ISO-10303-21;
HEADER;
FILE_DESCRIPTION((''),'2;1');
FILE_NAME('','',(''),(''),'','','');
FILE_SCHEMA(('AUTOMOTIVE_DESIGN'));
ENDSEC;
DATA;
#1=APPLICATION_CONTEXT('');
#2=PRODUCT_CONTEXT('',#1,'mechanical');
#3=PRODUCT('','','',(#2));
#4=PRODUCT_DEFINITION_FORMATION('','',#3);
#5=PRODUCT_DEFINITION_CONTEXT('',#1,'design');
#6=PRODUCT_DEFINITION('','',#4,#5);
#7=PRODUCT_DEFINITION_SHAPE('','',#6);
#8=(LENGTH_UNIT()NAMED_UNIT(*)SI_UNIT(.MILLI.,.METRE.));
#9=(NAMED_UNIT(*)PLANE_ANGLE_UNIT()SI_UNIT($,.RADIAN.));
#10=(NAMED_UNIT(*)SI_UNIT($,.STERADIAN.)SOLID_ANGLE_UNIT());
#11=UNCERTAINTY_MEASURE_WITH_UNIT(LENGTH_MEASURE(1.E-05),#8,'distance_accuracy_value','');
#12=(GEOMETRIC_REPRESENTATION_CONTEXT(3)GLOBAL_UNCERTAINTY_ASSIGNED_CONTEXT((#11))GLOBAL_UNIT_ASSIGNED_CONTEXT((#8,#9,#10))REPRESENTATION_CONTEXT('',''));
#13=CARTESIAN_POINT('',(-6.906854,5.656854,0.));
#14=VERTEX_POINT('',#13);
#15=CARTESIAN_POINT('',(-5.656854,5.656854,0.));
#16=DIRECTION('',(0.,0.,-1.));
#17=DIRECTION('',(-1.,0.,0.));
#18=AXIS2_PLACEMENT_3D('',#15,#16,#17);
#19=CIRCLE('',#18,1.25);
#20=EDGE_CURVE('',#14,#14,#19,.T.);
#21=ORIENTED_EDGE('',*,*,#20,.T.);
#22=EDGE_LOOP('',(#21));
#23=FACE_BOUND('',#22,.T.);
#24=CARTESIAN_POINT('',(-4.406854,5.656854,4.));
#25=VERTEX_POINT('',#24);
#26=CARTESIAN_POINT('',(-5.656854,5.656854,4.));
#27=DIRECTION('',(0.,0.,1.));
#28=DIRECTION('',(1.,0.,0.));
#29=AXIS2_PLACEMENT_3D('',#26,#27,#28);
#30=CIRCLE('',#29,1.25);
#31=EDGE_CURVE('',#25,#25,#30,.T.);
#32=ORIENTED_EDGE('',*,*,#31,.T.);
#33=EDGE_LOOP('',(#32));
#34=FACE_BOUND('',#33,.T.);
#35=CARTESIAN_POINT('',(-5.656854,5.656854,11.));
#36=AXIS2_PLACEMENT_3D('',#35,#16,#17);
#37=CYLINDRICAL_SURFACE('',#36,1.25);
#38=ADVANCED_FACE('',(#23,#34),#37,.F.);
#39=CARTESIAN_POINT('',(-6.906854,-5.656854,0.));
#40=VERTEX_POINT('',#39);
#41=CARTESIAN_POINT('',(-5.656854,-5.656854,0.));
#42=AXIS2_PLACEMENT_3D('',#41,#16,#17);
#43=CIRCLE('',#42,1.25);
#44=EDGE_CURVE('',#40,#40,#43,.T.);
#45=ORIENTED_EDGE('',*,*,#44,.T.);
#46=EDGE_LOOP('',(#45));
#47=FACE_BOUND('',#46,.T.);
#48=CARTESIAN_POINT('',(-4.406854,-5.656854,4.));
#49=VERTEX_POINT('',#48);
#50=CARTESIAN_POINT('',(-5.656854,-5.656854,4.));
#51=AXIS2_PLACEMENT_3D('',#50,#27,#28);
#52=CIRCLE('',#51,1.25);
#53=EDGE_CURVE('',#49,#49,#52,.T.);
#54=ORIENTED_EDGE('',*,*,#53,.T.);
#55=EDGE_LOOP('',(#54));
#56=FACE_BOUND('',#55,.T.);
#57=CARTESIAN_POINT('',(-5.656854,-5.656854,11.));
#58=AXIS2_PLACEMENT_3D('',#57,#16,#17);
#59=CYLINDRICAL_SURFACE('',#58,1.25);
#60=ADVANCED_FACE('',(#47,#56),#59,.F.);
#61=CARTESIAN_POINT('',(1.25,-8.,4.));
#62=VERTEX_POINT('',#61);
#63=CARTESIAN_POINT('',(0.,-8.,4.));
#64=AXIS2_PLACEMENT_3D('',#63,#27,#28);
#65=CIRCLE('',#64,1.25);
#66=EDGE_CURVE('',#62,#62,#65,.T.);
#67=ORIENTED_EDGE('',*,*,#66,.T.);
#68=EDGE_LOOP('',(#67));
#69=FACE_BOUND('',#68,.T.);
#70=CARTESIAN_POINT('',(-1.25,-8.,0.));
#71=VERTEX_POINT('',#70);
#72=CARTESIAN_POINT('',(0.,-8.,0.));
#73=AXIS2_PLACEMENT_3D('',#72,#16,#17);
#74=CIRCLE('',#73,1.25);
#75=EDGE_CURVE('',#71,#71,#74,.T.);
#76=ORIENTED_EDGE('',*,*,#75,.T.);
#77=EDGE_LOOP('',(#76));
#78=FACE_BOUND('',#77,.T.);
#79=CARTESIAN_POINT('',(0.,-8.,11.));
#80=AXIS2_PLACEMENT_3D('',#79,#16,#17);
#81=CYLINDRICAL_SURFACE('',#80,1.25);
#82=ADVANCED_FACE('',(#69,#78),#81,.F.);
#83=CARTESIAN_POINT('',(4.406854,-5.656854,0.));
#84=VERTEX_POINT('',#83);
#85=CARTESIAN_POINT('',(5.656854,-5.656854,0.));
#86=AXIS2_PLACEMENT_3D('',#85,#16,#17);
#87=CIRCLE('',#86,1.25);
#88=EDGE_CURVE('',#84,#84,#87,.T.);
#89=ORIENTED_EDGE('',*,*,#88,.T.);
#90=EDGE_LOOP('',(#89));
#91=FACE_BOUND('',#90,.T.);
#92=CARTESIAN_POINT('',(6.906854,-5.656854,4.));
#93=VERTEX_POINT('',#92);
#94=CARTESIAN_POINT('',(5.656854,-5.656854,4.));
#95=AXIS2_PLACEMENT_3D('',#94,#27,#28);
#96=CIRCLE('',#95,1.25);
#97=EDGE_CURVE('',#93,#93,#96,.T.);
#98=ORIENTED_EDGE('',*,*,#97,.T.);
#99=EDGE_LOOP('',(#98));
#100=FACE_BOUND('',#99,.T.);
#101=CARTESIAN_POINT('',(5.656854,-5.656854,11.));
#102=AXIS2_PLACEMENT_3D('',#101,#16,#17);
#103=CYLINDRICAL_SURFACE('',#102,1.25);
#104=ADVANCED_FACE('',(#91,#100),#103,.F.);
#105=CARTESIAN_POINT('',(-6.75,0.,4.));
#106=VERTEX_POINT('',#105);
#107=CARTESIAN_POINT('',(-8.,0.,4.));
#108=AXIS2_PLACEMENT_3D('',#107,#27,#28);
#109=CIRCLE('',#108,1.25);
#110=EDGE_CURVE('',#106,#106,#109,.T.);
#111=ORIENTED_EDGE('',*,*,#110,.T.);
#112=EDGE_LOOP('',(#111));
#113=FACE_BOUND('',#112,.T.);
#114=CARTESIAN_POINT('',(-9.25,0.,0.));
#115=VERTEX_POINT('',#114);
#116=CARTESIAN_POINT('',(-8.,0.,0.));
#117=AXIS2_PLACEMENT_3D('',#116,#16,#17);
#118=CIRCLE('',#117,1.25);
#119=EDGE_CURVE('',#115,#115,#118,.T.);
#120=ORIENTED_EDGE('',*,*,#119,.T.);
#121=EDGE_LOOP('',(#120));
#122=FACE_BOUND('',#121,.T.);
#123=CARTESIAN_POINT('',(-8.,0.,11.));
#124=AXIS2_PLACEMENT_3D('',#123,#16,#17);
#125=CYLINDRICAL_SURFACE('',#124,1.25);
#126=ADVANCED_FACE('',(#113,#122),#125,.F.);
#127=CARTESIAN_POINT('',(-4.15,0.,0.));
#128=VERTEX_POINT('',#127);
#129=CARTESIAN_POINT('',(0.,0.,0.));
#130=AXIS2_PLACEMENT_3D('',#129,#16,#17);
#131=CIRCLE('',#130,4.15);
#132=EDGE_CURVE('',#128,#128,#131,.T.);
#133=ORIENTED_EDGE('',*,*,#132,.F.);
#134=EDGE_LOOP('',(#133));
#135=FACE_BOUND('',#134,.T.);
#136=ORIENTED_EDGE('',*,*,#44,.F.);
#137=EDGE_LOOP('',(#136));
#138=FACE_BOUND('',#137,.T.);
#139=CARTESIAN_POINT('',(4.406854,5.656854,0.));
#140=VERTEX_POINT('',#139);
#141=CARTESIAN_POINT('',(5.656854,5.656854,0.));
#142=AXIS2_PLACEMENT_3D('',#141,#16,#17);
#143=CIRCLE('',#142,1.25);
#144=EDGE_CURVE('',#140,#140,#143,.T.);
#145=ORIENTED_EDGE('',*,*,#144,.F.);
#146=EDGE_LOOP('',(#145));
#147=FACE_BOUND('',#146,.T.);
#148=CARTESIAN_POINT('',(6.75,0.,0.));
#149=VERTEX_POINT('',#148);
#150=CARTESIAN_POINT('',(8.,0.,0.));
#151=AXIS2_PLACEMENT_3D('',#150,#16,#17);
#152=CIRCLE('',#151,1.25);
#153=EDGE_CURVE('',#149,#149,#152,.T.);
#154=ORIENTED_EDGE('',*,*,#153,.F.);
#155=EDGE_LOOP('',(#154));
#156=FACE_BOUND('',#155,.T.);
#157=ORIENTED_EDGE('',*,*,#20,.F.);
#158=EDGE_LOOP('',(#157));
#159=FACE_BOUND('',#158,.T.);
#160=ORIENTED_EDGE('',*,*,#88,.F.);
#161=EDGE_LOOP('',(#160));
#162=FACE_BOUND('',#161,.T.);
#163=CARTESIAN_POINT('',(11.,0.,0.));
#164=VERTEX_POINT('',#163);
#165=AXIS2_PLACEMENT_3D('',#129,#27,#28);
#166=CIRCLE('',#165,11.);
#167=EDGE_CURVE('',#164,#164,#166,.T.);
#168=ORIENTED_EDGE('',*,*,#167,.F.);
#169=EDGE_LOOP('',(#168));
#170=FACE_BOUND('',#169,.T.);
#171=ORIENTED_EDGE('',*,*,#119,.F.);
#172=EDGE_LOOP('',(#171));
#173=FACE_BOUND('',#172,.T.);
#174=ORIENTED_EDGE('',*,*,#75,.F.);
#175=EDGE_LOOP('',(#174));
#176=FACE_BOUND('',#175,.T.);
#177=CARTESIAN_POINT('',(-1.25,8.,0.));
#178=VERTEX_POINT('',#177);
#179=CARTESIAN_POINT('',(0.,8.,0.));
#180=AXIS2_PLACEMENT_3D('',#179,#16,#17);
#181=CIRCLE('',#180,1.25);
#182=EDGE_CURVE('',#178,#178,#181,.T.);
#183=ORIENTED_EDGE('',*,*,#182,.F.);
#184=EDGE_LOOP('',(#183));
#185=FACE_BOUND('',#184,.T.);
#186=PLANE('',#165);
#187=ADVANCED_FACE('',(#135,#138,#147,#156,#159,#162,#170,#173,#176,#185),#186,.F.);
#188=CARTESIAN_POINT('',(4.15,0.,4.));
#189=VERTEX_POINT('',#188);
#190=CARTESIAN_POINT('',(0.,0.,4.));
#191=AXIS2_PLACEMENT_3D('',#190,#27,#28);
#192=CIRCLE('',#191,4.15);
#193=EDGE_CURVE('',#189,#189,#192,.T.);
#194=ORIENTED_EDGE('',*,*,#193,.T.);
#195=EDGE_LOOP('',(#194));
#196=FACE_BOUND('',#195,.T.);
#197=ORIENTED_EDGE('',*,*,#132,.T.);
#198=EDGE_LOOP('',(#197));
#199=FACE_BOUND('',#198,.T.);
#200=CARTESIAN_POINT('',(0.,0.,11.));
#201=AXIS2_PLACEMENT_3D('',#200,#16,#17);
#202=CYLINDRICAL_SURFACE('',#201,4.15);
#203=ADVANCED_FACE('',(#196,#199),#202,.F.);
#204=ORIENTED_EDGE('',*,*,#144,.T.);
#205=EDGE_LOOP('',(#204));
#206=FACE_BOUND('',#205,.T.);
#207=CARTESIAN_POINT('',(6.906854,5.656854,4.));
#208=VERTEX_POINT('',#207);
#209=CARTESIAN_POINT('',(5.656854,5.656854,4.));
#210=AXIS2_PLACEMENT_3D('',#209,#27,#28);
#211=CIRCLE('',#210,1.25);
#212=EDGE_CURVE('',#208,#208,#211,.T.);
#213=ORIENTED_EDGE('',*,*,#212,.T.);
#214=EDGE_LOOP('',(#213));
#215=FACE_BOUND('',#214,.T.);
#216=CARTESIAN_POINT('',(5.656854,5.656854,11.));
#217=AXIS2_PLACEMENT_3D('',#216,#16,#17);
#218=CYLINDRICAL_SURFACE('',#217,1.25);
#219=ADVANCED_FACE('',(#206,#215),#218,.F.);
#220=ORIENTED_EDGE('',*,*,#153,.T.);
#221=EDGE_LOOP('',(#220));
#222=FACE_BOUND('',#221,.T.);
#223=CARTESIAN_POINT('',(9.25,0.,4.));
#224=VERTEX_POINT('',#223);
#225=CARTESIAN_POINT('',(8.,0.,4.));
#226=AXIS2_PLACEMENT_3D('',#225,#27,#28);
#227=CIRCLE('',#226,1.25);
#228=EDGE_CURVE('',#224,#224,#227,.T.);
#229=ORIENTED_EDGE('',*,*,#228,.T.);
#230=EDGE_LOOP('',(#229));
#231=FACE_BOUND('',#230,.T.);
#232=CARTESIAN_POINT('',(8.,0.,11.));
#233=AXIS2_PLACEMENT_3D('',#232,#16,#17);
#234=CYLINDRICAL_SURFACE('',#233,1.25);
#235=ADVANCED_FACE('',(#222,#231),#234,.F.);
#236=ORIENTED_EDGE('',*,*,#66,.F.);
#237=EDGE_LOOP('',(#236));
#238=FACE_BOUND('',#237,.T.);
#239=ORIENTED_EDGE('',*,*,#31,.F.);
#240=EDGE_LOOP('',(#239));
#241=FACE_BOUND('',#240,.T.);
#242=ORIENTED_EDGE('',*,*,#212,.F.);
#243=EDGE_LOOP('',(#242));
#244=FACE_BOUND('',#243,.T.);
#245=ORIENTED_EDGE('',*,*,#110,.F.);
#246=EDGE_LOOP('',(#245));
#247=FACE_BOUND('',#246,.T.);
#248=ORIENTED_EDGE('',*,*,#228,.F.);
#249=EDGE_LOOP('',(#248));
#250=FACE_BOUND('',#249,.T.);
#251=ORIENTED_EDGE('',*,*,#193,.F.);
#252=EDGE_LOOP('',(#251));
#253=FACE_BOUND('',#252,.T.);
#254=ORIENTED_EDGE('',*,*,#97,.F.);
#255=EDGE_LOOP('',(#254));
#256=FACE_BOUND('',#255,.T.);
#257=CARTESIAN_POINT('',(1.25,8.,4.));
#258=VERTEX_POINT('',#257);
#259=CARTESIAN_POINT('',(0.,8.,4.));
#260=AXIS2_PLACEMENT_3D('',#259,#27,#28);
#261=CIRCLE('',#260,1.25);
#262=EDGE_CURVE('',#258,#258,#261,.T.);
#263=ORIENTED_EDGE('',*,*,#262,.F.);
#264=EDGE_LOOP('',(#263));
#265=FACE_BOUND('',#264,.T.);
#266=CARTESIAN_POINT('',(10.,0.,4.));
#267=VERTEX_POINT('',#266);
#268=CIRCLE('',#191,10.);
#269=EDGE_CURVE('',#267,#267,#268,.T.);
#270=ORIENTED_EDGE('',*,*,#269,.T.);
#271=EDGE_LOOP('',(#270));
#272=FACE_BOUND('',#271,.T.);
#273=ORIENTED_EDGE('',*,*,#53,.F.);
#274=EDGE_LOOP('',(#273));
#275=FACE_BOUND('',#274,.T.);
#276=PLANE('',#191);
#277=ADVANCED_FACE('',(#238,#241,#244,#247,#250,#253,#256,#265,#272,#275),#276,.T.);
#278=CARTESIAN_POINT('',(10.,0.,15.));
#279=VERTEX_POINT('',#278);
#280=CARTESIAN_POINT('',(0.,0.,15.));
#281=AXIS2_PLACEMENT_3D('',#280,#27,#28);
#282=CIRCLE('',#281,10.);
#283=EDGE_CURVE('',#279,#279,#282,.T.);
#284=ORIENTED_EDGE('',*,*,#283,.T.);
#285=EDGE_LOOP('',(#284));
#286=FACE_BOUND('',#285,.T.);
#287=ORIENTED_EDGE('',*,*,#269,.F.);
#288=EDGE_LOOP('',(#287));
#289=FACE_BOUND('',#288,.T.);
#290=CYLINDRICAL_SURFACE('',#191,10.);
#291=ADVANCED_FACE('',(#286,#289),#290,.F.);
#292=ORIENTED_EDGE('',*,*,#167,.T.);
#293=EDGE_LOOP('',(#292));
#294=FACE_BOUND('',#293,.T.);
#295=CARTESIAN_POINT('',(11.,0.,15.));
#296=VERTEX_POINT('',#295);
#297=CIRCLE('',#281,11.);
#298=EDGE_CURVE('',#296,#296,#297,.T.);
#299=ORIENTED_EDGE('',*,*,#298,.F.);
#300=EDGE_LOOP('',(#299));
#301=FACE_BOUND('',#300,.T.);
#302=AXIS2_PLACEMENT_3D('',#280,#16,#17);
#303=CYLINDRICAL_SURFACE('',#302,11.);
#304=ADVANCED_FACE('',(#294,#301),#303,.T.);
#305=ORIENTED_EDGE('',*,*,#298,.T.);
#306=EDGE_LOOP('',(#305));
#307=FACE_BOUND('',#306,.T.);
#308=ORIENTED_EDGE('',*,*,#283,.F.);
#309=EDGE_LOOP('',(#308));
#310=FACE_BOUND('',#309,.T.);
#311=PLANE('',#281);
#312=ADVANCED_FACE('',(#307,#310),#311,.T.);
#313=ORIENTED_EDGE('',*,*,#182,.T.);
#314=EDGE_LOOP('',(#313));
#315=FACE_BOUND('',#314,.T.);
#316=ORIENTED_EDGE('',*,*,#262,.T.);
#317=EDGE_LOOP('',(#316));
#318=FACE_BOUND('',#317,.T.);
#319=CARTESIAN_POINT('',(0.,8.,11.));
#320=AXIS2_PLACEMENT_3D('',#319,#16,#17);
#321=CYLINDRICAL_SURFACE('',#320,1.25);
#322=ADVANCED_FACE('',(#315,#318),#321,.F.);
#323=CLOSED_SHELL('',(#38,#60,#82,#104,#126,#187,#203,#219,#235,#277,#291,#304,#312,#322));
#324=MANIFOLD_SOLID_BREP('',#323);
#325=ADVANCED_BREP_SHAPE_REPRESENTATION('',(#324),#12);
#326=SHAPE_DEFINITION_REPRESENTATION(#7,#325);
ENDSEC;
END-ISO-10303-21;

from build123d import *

# Parameters (mm, degrees)
SKETCH1_R           = 11
BOSS_EXTRUDE1_DEPTH = 15
SKETCH3_R           = 10
CUT_EXTRUDE1_DEPTH  = 11
SKETCH4_R           = 4.15
SKETCH4_R_2         = 1.25
CUT_EXTRUDE2_DEPTH  = 11


with BuildPart() as part:
    # Sketch1 → Boss-Extrude1 (new body)
    with BuildSketch(Plane.XY):
        Circle(SKETCH1_R)
    extrude(amount=BOSS_EXTRUDE1_DEPTH)

    # Sketch3 → Cut-Extrude1 (cut)
    with BuildSketch(Plane.XY.offset(15)):
        Circle(SKETCH3_R)
    extrude(amount=-CUT_EXTRUDE1_DEPTH, mode=Mode.SUBTRACT)

    # Sketch4 → Cut-Extrude2 (cut)
    with BuildSketch(Plane(origin=(0, 0, 0), x_dir=(-1, 0, 0), z_dir=(0, 0, -1))):
        Circle(SKETCH4_R)
        with Locations((0, 8)):
            Circle(SKETCH4_R_2)
        with Locations((5.656854249, 5.656854249)):
            Circle(SKETCH4_R_2)
        with Locations((8, 0)):
            Circle(SKETCH4_R_2)
        with Locations((5.656854249, -5.656854249)):
            Circle(SKETCH4_R_2)
        with Locations((0, -8)):
            Circle(SKETCH4_R_2)
        with Locations((-5.656854249, -5.656854249)):
            Circle(SKETCH4_R_2)
        with Locations((-8, 0)):
            Circle(SKETCH4_R_2)
        with Locations((-5.656854249, 5.656854249)):
            Circle(SKETCH4_R_2)
    extrude(amount=-CUT_EXTRUDE2_DEPTH, mode=Mode.SUBTRACT)


solid = part.part
